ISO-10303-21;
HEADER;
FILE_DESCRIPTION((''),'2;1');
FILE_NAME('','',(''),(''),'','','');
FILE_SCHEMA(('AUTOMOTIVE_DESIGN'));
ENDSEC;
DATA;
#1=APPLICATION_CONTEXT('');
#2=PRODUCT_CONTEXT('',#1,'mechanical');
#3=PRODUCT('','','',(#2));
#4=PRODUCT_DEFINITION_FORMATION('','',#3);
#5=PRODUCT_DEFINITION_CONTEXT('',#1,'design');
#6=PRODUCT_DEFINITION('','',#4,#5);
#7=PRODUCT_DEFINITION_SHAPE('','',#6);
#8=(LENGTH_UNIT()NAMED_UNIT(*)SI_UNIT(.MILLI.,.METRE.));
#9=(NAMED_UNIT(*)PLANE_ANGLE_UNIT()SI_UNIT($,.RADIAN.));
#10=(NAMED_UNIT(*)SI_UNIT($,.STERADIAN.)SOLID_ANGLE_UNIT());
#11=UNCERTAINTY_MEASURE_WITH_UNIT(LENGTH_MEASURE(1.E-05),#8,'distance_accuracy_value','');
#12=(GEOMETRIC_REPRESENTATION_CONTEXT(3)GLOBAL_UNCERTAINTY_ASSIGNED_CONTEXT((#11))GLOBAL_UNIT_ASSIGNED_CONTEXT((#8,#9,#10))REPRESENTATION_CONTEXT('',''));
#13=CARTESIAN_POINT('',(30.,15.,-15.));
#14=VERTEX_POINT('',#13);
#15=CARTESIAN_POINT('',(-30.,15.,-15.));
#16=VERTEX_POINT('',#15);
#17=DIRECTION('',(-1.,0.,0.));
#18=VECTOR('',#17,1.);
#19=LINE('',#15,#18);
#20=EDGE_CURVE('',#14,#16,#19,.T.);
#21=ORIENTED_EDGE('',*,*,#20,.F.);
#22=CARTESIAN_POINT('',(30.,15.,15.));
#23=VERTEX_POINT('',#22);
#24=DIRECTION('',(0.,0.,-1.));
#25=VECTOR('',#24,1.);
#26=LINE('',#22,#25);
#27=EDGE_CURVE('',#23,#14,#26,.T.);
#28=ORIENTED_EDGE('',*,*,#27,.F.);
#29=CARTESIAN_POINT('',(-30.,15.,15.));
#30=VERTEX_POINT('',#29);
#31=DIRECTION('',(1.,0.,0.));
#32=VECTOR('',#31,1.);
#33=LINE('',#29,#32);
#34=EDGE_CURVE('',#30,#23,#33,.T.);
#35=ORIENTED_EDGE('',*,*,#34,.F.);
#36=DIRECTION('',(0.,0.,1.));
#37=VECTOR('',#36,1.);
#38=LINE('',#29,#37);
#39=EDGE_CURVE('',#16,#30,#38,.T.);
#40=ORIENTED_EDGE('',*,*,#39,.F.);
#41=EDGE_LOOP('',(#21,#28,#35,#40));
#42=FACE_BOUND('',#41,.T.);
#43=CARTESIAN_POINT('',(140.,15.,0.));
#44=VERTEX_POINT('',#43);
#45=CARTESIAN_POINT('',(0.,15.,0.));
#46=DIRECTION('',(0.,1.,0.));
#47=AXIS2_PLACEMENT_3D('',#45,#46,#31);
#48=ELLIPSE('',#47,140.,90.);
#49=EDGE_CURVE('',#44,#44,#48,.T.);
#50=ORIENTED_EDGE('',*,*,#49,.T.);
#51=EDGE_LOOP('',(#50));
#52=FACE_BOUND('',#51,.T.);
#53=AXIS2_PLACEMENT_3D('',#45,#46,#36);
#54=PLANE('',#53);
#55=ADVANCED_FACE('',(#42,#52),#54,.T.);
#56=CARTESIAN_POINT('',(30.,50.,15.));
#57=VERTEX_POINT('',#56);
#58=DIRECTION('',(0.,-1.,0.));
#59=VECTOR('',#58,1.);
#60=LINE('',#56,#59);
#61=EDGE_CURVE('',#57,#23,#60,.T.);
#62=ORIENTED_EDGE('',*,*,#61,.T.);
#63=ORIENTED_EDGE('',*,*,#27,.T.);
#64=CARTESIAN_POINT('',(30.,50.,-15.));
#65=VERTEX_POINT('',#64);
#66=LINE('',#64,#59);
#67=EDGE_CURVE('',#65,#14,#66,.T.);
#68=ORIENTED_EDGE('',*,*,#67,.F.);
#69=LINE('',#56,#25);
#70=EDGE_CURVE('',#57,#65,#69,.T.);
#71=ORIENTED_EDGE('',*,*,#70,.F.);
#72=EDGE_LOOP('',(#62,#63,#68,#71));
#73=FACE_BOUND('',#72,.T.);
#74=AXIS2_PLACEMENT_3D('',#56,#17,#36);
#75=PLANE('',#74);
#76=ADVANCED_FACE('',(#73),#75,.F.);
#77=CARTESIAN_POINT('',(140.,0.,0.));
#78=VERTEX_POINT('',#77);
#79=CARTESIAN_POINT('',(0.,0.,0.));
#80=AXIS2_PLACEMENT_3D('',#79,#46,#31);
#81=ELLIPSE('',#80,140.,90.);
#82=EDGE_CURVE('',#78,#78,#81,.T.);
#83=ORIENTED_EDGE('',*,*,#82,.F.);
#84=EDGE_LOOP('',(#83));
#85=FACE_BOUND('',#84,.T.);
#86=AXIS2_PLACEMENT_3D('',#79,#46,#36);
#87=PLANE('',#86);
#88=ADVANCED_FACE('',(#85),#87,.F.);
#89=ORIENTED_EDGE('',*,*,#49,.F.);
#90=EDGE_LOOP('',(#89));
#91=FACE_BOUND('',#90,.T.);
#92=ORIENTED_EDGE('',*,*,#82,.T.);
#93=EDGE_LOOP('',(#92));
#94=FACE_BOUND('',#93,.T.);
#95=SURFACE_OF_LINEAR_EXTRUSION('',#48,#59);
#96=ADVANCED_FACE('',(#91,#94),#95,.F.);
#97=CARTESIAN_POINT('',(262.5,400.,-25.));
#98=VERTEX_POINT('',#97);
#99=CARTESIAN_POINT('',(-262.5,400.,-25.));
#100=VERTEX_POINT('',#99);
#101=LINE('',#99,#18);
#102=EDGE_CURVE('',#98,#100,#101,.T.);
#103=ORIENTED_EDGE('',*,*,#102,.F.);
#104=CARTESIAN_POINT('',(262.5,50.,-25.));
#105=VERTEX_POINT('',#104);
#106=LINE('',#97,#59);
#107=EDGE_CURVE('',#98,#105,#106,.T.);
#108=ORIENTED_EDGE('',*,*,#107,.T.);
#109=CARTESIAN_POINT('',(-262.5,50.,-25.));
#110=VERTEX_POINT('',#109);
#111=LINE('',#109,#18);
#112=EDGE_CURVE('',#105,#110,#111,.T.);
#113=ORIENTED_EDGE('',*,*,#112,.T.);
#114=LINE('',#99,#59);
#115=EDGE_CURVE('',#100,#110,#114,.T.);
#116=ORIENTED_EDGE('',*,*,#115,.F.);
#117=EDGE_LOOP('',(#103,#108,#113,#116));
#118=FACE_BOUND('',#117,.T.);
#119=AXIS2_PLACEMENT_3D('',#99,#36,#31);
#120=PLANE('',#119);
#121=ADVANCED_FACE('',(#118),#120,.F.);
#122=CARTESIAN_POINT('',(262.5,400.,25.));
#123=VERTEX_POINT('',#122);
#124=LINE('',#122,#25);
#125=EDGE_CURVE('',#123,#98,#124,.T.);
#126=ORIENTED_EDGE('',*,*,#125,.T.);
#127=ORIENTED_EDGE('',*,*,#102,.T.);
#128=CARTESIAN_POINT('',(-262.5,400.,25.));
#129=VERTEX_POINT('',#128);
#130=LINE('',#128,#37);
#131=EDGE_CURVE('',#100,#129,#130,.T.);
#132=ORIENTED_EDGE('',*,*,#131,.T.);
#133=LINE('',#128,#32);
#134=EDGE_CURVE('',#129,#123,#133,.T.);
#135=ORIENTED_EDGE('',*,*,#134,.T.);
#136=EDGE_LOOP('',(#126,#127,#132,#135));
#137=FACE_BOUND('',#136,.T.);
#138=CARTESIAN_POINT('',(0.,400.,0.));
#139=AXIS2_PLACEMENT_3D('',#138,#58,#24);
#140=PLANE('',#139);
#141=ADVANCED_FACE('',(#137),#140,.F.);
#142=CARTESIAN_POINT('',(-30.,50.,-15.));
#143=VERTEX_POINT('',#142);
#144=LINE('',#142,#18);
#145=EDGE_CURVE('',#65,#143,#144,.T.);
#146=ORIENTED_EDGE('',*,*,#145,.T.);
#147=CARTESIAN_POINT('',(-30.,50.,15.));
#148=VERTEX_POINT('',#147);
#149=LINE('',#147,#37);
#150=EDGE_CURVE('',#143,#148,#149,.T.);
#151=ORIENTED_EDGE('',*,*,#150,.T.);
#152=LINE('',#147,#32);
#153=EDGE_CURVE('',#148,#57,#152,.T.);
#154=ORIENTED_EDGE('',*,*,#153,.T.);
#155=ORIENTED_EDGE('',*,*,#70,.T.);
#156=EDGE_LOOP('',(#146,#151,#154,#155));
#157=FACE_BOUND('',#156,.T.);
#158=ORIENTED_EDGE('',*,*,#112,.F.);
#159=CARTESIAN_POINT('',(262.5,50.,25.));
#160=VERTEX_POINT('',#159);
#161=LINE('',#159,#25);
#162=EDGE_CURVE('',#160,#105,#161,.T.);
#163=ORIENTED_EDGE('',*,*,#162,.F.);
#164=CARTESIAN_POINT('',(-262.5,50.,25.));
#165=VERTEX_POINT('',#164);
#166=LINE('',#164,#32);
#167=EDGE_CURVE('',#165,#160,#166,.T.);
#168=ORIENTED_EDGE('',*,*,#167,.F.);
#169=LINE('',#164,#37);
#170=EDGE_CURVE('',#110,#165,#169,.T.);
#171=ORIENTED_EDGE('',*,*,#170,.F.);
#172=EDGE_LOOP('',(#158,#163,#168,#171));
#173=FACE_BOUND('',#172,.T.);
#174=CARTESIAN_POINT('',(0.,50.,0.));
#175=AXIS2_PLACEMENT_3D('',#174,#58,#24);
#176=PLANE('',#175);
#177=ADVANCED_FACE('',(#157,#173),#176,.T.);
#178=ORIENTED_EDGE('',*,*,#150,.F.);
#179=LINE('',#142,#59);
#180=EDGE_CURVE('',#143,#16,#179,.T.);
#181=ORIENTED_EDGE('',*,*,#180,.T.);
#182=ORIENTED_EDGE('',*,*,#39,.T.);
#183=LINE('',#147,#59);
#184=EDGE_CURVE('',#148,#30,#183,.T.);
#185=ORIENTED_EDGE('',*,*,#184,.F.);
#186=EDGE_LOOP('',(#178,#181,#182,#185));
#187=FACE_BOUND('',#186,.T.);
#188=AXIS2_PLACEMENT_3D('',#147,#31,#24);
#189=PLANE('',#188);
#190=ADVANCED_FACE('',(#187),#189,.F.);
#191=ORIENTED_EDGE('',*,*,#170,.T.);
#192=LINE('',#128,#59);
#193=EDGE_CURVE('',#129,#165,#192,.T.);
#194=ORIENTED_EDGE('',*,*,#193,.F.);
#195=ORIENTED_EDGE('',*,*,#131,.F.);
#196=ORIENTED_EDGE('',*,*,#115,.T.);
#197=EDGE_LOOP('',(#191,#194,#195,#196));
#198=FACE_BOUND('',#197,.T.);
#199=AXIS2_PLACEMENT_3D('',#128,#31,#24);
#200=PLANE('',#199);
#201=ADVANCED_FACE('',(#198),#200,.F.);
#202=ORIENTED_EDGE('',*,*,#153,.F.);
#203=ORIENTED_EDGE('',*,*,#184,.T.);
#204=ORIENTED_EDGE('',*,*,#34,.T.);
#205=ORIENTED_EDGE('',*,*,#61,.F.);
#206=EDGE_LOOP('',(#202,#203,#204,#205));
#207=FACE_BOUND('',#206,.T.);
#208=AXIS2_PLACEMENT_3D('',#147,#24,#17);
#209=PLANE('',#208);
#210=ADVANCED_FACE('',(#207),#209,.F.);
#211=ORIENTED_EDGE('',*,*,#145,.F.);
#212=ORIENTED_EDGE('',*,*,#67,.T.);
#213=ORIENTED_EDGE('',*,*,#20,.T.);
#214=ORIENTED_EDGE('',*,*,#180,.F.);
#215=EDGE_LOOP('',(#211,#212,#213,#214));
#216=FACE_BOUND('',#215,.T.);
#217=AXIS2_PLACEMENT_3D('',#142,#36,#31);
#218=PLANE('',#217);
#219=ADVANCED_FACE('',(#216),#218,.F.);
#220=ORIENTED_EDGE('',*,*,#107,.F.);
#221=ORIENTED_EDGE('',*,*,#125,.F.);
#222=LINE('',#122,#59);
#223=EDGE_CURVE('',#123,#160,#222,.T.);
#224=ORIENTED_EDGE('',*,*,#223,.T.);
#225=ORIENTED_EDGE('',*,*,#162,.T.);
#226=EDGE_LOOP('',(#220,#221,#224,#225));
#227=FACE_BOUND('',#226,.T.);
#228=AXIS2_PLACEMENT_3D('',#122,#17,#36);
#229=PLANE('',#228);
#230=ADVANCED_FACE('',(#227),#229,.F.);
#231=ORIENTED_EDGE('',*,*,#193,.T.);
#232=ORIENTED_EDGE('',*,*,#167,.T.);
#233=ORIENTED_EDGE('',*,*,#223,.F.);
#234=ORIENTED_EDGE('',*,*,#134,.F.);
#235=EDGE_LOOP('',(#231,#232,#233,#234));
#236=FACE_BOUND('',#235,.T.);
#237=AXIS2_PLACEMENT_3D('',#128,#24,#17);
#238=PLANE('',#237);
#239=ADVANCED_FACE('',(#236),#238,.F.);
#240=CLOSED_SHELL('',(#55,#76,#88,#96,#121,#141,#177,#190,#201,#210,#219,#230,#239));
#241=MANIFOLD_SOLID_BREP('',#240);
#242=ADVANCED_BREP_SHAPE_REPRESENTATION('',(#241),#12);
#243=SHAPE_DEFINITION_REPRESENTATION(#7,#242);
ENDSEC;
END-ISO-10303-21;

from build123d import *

# Parameters (mm, degrees)
SKETCH1_RX          = 140
SKETCH1_RY          = 90
BOSS_EXTRUDE1_DEPTH = 15
SKETCH2_W           = 60
SKETCH2_H           = 30
BOSS_EXTRUDE2_DEPTH = 35
SKETCH3_W           = 525
SKETCH3_H           = 50
BOSS_EXTRUDE3_DEPTH = 350


with BuildPart() as part:
    # Sketch1 → Boss-Extrude1 (new body)
    with BuildSketch(Plane(origin=(0, 0, 0), x_dir=(1, 0, 0), z_dir=(0, 1, 0))):
        with Locations((0, 0)):
            Ellipse(SKETCH1_RX, SKETCH1_RY)
    extrude(amount=BOSS_EXTRUDE1_DEPTH)

    # Sketch2 → Boss-Extrude2 (add)
    with BuildSketch(Plane(origin=(0, 15, 0), x_dir=(1, 0, 0), z_dir=(0, 1, 0))):
        Rectangle(SKETCH2_W, SKETCH2_H)
    extrude(amount=BOSS_EXTRUDE2_DEPTH)

    # Sketch3 → Boss-Extrude3 (add)
    with BuildSketch(Plane(origin=(0, 50, 0), x_dir=(1, 0, 0), z_dir=(0, 1, 0))):
        Rectangle(SKETCH3_W, SKETCH3_H)
    extrude(amount=BOSS_EXTRUDE3_DEPTH)


solid = part.part
